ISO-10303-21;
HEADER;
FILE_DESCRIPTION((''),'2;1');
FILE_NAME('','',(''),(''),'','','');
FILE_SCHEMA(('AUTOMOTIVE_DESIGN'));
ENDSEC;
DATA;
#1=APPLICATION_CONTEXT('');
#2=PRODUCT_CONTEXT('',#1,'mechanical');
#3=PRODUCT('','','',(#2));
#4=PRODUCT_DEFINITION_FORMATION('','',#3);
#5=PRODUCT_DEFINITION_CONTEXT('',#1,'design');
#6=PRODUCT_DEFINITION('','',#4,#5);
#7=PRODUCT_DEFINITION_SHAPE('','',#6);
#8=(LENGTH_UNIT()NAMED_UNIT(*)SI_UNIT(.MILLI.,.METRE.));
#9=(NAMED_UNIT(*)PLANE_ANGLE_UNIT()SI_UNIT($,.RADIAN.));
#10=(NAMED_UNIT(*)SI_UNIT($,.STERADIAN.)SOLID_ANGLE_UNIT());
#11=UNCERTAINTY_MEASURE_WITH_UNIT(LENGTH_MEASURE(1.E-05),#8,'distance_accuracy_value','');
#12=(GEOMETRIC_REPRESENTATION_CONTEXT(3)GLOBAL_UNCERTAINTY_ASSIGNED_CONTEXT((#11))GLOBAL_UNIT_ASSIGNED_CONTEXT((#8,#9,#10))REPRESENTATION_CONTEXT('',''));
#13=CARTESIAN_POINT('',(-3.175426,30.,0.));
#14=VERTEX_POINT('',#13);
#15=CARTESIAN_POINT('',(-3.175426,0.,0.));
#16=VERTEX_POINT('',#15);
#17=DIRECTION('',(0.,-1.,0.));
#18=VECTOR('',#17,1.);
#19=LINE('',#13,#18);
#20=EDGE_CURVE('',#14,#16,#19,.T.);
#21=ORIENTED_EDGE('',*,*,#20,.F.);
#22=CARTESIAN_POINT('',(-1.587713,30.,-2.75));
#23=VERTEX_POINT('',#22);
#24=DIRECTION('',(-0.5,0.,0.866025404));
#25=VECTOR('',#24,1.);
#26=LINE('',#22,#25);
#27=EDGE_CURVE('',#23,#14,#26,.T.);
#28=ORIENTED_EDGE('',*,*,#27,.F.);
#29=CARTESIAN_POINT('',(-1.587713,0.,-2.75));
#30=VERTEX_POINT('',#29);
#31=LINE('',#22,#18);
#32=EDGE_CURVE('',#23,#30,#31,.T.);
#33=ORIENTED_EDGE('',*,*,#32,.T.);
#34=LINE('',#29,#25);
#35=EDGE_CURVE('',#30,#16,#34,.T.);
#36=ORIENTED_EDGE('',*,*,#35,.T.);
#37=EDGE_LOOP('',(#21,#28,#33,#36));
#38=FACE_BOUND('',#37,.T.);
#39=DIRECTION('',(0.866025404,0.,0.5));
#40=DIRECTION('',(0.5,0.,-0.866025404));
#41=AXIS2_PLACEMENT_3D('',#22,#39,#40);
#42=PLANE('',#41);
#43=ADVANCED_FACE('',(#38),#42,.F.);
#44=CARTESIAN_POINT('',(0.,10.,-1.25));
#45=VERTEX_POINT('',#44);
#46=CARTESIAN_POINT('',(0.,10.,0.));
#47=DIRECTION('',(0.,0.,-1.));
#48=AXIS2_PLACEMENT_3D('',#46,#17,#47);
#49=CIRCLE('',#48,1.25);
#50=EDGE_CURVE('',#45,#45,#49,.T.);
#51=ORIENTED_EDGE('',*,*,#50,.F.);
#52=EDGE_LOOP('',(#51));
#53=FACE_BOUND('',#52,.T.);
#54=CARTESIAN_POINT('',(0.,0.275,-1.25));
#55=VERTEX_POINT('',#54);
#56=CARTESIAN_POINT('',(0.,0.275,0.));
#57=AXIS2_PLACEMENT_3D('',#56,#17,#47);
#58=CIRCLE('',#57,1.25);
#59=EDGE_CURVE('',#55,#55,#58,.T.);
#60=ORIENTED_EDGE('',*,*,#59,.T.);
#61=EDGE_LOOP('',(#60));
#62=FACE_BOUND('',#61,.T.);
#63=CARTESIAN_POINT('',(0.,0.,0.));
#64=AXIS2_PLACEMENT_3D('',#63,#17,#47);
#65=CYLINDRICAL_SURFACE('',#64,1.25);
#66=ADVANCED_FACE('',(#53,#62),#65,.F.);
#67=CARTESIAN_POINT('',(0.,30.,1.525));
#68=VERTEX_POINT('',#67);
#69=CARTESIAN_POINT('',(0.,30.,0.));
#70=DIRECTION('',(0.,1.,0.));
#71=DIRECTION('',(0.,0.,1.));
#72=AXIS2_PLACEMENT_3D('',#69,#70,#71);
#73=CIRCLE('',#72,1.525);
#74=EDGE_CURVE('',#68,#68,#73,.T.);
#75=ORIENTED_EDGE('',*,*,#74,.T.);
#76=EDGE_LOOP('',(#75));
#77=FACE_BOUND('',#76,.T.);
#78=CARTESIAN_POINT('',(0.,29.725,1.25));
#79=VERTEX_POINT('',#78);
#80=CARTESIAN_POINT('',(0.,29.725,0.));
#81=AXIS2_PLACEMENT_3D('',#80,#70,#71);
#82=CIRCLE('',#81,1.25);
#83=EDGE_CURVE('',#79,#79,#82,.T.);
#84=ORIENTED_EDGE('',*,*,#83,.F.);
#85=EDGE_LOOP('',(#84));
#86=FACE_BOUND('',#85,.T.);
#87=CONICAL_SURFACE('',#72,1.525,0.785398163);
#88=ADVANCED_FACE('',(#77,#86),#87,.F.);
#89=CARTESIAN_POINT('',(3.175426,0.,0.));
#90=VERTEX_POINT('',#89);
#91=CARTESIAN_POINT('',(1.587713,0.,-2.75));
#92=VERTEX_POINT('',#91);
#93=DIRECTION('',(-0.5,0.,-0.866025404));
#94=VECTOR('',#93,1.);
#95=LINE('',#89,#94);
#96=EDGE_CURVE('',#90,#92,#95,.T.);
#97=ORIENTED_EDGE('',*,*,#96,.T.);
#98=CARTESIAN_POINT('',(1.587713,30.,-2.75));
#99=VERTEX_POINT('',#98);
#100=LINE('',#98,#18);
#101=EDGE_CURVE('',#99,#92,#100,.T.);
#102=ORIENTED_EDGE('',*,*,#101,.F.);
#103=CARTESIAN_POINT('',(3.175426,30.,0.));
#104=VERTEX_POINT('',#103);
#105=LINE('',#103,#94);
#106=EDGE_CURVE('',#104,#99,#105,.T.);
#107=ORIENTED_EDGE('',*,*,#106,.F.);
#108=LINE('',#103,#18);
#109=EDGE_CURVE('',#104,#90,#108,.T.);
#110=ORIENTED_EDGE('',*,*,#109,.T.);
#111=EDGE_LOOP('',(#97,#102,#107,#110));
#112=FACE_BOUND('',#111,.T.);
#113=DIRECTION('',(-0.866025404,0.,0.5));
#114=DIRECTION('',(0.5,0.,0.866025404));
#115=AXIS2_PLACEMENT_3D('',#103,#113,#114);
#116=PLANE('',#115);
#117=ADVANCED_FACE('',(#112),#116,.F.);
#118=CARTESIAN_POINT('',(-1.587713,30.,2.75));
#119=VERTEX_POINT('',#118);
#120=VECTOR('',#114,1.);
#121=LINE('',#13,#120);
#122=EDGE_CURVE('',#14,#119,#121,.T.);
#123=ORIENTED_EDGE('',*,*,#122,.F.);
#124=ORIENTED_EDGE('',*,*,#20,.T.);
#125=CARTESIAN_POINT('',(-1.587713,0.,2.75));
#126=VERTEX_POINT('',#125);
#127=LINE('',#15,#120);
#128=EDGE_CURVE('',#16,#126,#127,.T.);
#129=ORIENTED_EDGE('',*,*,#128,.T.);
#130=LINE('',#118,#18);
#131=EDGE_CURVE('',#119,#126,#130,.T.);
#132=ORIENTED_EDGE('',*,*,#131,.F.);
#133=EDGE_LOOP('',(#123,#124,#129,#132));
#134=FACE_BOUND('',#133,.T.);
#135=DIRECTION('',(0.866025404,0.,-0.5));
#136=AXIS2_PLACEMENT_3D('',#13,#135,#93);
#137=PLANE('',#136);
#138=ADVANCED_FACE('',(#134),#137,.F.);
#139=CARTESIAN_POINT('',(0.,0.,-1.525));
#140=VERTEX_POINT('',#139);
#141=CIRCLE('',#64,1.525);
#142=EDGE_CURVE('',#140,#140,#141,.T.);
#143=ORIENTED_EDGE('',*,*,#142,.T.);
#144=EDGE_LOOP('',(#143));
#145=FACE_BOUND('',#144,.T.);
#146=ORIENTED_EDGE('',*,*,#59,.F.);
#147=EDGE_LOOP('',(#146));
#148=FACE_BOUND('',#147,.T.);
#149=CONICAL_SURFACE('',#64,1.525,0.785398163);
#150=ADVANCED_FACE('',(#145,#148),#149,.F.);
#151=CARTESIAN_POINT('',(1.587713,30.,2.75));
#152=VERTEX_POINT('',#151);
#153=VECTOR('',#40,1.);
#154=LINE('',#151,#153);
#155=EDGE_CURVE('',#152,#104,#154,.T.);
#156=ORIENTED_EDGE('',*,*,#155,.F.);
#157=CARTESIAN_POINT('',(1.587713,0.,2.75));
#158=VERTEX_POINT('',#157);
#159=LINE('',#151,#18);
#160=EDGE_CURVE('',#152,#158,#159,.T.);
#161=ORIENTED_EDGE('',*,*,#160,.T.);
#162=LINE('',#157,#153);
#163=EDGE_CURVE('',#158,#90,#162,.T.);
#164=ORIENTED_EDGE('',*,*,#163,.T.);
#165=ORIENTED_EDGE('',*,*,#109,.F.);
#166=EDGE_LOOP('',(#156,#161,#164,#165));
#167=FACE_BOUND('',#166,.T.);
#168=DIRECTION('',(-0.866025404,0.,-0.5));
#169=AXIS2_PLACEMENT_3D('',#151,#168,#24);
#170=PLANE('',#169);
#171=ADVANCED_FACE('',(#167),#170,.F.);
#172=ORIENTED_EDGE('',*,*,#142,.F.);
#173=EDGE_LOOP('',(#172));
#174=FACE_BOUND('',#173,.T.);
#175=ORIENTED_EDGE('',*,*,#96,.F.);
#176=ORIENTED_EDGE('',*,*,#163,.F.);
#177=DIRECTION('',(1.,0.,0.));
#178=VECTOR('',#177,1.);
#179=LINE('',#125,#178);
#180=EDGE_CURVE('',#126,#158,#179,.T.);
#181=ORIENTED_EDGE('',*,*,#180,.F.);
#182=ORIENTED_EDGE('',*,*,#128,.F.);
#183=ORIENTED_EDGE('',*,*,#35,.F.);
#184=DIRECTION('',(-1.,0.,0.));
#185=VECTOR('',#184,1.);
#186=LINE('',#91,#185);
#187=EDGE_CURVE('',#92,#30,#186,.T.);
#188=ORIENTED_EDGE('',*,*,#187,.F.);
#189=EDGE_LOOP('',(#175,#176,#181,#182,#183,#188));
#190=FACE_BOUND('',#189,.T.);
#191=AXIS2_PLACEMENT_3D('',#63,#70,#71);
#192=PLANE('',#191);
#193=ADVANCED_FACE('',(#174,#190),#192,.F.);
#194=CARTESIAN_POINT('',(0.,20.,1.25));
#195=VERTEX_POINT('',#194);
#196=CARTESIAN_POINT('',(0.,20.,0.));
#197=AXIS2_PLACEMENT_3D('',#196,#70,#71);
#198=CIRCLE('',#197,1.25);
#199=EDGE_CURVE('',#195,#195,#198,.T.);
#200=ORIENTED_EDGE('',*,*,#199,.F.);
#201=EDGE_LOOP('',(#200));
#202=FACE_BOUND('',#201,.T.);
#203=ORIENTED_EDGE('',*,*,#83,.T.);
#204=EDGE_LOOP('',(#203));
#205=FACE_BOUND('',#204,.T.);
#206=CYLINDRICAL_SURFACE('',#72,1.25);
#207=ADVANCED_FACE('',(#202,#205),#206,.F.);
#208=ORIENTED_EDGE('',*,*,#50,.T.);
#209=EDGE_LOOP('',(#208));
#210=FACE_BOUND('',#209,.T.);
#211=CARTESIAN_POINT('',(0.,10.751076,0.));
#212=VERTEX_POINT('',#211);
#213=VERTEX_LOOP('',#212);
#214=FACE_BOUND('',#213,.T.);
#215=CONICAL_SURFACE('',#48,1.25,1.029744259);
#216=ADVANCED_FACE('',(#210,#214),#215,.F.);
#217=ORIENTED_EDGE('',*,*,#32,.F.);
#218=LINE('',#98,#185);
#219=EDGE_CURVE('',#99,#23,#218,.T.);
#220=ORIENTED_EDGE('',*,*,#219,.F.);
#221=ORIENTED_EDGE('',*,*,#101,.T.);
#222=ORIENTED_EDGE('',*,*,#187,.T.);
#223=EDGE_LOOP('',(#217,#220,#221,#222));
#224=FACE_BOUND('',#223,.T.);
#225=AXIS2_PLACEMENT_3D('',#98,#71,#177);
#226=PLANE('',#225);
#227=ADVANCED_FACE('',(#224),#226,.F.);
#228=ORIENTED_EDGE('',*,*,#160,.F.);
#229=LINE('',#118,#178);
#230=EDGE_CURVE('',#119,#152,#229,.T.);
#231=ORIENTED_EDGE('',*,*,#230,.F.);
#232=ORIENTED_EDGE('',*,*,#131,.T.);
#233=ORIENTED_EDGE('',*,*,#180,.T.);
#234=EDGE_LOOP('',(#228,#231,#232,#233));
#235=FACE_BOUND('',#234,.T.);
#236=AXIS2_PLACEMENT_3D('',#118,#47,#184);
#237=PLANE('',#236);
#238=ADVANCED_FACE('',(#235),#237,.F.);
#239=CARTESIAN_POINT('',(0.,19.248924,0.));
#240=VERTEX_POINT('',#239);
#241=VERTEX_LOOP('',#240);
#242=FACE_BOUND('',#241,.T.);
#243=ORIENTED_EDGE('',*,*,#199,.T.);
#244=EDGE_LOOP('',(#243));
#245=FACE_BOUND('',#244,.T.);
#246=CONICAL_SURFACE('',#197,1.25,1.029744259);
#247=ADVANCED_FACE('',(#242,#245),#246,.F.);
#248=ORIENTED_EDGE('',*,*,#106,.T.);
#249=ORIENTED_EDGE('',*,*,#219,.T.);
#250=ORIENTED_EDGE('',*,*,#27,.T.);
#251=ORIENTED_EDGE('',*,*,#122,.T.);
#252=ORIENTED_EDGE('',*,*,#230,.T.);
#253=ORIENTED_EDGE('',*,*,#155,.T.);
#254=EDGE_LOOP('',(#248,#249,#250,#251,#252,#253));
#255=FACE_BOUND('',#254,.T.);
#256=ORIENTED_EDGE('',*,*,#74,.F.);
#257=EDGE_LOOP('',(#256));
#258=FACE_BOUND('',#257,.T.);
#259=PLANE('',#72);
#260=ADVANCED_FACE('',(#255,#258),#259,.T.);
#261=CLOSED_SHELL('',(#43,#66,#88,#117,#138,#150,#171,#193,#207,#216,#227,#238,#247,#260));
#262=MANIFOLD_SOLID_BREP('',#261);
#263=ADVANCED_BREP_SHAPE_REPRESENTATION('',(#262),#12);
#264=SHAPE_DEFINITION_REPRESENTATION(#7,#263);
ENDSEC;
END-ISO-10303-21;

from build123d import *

# Parameters (mm, degrees)
EXTRUDE_1_DEPTH             = 30
M3_TAPPED_HOLE1_D           = 2.5
M3_TAPPED_HOLE1_DEPTH       = 10
M3_TAPPED_HOLE1_CSINK_D     = 3.05
M3_TAPPED_HOLE1_CSINK_ANGLE = 90
M3_TAPPED_HOLE1_TIP         = 0.751075774
M3_TAPPED_HOLE2_D           = 2.5
M3_TAPPED_HOLE2_DEPTH       = 10
M3_TAPPED_HOLE2_CSINK_D     = 3.05
M3_TAPPED_HOLE2_CSINK_ANGLE = 90
M3_TAPPED_HOLE2_TIP         = 0.751075774


with BuildPart() as part:
    # 草图1 → 凸台-拉伸1 (new body)
    with BuildSketch(Plane(origin=(0, 0, 0), x_dir=(1, 0, 0), z_dir=(0, 1, 0))):
        Polygon((3.175426481, 0), (1.58771324, 2.75), (-1.58771324, 2.75), (-3.175426481, 0), (-1.58771324, -2.75), (1.58771324, -2.75), align=None)
    extrude(amount=EXTRUDE_1_DEPTH)

    # M3 Tapped Hole1
    with Locations(Plane(origin=(0, 30, 0), x_dir=(1, 0, 0), z_dir=(0, 1, 0))):
        with Locations((0, 0)):
            CounterSinkHole(M3_TAPPED_HOLE1_D / 2, M3_TAPPED_HOLE1_CSINK_D / 2, depth=M3_TAPPED_HOLE1_DEPTH, counter_sink_angle=M3_TAPPED_HOLE1_CSINK_ANGLE)
            with Locations((0, 0, -(M3_TAPPED_HOLE1_DEPTH + M3_TAPPED_HOLE1_TIP / 2))):  # 118° drill point
                Cone(0, M3_TAPPED_HOLE1_D / 2, M3_TAPPED_HOLE1_TIP, mode=Mode.SUBTRACT)

    # M3 Tapped Hole2
    with Locations(Plane(origin=(0, 0, 0), x_dir=(-1, 0, 0), z_dir=(0, -1, 0))):
        with Locations((0, 0)):
            CounterSinkHole(M3_TAPPED_HOLE2_D / 2, M3_TAPPED_HOLE2_CSINK_D / 2, depth=M3_TAPPED_HOLE2_DEPTH, counter_sink_angle=M3_TAPPED_HOLE2_CSINK_ANGLE)
            with Locations((0, 0, -(M3_TAPPED_HOLE2_DEPTH + M3_TAPPED_HOLE2_TIP / 2))):  # 118° drill point
                Cone(0, M3_TAPPED_HOLE2_D / 2, M3_TAPPED_HOLE2_TIP, mode=Mode.SUBTRACT)


solid = part.part
